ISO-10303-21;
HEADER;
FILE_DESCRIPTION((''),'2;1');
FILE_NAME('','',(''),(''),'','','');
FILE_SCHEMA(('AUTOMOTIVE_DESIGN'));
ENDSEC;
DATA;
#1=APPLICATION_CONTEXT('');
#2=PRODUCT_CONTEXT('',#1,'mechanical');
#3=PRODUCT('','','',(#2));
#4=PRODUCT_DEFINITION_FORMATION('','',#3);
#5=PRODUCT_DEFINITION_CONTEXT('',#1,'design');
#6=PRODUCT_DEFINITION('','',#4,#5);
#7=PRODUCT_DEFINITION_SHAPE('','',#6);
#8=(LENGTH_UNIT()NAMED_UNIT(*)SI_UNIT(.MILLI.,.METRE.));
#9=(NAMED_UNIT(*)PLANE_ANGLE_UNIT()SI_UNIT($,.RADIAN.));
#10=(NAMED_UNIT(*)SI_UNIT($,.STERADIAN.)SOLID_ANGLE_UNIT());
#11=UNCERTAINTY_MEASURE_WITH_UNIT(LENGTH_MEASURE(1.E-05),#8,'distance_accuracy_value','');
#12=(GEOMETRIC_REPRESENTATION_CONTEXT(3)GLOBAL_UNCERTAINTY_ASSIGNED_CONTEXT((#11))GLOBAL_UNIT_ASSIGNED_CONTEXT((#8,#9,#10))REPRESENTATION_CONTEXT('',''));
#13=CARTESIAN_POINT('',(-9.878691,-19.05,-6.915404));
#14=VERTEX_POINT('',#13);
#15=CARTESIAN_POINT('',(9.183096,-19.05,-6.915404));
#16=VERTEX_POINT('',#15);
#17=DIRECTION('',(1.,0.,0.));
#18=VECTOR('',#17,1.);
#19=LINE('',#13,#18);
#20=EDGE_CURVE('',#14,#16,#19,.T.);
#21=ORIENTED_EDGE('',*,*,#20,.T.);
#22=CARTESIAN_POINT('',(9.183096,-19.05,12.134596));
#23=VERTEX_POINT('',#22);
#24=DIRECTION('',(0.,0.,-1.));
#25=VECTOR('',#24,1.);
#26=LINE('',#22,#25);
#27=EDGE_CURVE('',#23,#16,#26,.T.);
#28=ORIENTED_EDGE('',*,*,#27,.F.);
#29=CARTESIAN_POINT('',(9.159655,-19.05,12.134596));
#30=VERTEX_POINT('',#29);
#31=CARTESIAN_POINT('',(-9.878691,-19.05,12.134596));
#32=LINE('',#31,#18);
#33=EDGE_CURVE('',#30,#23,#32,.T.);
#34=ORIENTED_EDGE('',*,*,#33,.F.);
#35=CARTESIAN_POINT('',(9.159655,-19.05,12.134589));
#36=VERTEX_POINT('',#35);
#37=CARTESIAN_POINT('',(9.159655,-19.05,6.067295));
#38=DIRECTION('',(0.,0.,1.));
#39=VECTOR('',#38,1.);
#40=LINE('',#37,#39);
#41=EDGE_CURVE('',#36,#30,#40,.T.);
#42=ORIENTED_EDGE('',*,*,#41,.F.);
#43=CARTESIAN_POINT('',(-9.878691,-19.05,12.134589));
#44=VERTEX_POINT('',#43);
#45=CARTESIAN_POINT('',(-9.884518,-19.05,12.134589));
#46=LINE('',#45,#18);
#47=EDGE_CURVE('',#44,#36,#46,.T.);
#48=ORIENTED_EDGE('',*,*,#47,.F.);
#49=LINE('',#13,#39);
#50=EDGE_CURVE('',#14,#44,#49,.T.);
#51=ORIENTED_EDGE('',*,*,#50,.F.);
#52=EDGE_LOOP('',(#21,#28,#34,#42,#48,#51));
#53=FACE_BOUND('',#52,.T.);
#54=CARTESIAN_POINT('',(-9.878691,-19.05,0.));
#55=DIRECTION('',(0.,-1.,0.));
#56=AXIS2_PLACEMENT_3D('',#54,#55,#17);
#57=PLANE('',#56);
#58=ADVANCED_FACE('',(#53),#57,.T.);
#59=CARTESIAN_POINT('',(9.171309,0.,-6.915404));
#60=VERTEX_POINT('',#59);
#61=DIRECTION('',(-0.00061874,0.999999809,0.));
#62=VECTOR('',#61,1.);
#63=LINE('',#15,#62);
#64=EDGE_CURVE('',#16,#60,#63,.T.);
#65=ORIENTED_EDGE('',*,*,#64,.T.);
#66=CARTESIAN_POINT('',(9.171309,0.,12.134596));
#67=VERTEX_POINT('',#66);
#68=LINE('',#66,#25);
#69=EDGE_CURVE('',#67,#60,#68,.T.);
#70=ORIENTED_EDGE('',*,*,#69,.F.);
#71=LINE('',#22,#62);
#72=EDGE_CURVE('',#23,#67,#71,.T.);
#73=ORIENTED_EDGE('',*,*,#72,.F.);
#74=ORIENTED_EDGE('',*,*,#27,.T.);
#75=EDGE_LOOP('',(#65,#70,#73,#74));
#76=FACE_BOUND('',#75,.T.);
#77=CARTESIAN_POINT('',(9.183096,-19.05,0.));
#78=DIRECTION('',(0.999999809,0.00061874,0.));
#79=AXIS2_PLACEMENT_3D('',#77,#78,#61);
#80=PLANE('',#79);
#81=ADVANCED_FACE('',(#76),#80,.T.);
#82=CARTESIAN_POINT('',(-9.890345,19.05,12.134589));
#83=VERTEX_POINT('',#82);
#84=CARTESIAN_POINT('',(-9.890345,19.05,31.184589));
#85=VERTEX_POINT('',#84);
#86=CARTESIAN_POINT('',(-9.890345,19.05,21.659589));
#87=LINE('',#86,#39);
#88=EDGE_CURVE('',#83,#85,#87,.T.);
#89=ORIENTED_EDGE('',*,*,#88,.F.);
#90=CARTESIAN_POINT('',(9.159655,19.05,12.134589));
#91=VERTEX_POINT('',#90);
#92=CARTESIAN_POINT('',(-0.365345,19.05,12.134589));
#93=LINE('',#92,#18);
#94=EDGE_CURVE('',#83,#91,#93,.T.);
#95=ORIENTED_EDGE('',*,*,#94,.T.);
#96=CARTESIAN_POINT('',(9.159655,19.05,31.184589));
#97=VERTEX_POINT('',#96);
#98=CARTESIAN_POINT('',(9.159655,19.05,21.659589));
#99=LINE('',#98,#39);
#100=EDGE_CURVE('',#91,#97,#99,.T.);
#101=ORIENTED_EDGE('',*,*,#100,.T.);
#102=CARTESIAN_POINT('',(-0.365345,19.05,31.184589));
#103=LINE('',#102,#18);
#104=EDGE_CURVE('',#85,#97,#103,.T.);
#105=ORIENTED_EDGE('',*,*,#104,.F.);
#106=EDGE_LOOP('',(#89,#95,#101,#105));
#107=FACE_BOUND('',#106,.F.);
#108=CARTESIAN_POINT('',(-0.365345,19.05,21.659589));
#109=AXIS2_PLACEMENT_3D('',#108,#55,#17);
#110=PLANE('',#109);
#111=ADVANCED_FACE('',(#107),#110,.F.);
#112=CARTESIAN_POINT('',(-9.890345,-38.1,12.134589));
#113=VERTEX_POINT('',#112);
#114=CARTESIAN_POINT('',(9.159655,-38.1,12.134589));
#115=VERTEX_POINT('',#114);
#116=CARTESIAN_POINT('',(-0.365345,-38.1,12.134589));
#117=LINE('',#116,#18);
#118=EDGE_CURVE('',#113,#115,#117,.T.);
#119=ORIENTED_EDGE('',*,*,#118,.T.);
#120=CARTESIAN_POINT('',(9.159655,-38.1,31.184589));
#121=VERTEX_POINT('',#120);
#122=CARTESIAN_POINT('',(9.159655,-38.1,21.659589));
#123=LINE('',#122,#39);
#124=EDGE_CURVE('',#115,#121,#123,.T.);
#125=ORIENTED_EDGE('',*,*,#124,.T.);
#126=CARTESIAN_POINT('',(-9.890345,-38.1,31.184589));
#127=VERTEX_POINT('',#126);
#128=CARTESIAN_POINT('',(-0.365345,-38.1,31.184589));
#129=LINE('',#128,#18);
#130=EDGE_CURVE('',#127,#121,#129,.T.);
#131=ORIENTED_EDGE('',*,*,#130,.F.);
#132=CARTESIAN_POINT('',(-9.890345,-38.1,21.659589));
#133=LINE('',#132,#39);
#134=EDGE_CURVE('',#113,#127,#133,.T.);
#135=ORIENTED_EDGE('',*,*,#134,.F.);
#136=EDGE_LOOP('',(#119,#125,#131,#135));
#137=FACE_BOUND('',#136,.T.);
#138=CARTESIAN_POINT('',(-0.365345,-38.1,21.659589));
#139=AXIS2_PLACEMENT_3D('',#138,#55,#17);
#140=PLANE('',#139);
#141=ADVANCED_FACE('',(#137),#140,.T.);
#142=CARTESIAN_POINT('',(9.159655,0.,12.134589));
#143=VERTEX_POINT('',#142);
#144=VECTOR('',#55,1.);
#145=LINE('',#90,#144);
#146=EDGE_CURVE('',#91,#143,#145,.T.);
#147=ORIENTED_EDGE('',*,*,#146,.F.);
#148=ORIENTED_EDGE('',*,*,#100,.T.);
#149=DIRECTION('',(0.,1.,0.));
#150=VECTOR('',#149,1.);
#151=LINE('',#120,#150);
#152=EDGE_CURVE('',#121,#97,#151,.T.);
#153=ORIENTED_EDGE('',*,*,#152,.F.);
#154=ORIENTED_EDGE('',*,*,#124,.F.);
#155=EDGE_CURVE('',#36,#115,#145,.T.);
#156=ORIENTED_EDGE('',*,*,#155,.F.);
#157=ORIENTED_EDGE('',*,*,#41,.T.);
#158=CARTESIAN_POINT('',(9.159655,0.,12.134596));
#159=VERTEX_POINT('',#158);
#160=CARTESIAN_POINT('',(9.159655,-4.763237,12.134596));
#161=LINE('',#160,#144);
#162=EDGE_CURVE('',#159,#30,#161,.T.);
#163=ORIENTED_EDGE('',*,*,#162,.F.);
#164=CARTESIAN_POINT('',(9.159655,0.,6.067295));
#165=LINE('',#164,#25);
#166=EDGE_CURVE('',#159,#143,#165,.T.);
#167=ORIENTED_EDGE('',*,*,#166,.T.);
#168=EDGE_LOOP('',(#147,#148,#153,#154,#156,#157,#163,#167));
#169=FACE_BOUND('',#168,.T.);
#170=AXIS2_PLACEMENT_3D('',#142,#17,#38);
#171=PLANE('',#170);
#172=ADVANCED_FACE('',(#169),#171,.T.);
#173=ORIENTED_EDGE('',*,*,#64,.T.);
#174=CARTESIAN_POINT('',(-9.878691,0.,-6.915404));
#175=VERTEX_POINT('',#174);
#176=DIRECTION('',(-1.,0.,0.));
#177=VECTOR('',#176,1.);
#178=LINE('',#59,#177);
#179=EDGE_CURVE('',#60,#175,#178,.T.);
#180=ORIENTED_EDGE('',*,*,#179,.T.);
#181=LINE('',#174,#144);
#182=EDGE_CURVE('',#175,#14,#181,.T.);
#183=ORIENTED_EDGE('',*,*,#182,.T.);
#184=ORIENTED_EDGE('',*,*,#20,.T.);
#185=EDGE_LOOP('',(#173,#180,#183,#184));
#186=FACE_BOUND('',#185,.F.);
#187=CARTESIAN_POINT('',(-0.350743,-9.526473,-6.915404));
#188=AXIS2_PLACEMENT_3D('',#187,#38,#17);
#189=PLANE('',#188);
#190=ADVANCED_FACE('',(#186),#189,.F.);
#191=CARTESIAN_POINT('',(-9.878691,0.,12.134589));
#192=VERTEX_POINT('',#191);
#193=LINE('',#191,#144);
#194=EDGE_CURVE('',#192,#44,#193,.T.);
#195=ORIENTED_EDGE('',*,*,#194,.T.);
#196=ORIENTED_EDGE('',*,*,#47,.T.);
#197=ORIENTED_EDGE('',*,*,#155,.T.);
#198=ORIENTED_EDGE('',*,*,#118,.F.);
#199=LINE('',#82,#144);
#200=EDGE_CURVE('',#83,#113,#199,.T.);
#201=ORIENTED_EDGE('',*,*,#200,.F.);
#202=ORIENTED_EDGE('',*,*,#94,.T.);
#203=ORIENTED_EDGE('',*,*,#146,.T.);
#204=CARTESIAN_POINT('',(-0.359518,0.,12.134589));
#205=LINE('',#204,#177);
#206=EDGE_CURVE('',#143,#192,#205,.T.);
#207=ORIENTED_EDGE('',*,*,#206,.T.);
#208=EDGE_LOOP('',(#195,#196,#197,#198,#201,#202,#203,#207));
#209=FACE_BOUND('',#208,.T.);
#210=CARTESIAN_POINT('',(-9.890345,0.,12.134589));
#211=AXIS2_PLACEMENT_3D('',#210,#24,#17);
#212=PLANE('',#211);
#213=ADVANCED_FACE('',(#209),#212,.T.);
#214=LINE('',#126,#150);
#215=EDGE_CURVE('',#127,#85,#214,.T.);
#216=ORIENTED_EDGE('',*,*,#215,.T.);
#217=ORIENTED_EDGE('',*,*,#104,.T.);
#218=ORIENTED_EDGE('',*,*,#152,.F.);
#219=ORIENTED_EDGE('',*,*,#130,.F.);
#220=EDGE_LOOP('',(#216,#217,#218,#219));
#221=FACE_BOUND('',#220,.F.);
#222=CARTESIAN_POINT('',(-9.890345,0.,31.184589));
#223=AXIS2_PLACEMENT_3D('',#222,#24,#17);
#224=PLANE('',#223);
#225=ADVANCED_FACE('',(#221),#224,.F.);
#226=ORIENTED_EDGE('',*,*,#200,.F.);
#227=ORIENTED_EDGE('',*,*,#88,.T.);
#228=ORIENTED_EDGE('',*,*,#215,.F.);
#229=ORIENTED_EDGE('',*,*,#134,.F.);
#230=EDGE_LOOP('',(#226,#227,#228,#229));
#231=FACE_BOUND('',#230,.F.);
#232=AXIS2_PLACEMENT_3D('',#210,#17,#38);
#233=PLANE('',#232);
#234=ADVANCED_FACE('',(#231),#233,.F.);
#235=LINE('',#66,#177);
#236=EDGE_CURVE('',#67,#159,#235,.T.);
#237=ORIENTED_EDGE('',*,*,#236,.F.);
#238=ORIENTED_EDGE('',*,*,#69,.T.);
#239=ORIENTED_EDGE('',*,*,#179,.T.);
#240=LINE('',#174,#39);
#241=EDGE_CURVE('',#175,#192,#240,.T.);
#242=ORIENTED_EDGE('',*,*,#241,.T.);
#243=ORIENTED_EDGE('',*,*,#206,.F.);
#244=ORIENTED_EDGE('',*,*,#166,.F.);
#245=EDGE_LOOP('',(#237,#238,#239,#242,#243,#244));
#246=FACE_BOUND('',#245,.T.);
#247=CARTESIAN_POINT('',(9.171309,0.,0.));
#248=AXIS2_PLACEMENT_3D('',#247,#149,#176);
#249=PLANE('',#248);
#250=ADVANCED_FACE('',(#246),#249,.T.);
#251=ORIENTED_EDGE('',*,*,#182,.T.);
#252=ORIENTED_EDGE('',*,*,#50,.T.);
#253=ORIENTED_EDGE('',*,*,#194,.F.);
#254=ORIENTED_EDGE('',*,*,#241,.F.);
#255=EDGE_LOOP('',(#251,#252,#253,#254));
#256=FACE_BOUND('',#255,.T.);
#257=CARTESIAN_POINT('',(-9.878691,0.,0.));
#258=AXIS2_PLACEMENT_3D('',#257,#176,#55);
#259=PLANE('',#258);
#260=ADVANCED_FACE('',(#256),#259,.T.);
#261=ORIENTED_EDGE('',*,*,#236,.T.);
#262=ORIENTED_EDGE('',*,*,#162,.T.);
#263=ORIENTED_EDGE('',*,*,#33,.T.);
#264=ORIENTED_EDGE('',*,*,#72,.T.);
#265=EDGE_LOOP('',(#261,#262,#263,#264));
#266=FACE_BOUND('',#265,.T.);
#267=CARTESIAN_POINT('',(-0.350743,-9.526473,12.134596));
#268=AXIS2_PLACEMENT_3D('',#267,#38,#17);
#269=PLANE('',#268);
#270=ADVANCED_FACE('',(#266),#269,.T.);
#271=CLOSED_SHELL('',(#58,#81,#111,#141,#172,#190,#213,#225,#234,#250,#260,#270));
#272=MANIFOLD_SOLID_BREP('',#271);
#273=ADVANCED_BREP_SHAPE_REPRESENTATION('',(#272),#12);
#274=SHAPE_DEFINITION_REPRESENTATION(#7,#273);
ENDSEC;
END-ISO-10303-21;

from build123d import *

# Parameters (mm, degrees)
F0_W          = 19.05
F0_H          = 19.05
F1_DEPTH      = 38.1
F1_DEPTH_BACK = 19.05
F3_DEPTH      = 12.134596
F3_DEPTH_BACK = 6.915404


with BuildPart() as f1:
    # F0 (on Front) → F1 (new body, two sides)
    with BuildSketch(Plane.XZ) as f1_sk:
        with Locations((-0.365345, 21.659589)):
            Rectangle(F0_W, F0_H)
    extrude(amount=F1_DEPTH)
    extrude(f1_sk.sketch, amount=-F1_DEPTH_BACK)

    # F2 (on Top) → F3 (join, two sides)
    with BuildSketch(Plane.XY) as f3_sk:
        Polygon((9.171309, 0), (-9.878691, 0), (-9.878691, -19.05), (9.183096, -19.05), align=None)
    extrude(amount=F3_DEPTH)
    extrude(f3_sk.sketch, amount=-F3_DEPTH_BACK)


solid = f1.part
